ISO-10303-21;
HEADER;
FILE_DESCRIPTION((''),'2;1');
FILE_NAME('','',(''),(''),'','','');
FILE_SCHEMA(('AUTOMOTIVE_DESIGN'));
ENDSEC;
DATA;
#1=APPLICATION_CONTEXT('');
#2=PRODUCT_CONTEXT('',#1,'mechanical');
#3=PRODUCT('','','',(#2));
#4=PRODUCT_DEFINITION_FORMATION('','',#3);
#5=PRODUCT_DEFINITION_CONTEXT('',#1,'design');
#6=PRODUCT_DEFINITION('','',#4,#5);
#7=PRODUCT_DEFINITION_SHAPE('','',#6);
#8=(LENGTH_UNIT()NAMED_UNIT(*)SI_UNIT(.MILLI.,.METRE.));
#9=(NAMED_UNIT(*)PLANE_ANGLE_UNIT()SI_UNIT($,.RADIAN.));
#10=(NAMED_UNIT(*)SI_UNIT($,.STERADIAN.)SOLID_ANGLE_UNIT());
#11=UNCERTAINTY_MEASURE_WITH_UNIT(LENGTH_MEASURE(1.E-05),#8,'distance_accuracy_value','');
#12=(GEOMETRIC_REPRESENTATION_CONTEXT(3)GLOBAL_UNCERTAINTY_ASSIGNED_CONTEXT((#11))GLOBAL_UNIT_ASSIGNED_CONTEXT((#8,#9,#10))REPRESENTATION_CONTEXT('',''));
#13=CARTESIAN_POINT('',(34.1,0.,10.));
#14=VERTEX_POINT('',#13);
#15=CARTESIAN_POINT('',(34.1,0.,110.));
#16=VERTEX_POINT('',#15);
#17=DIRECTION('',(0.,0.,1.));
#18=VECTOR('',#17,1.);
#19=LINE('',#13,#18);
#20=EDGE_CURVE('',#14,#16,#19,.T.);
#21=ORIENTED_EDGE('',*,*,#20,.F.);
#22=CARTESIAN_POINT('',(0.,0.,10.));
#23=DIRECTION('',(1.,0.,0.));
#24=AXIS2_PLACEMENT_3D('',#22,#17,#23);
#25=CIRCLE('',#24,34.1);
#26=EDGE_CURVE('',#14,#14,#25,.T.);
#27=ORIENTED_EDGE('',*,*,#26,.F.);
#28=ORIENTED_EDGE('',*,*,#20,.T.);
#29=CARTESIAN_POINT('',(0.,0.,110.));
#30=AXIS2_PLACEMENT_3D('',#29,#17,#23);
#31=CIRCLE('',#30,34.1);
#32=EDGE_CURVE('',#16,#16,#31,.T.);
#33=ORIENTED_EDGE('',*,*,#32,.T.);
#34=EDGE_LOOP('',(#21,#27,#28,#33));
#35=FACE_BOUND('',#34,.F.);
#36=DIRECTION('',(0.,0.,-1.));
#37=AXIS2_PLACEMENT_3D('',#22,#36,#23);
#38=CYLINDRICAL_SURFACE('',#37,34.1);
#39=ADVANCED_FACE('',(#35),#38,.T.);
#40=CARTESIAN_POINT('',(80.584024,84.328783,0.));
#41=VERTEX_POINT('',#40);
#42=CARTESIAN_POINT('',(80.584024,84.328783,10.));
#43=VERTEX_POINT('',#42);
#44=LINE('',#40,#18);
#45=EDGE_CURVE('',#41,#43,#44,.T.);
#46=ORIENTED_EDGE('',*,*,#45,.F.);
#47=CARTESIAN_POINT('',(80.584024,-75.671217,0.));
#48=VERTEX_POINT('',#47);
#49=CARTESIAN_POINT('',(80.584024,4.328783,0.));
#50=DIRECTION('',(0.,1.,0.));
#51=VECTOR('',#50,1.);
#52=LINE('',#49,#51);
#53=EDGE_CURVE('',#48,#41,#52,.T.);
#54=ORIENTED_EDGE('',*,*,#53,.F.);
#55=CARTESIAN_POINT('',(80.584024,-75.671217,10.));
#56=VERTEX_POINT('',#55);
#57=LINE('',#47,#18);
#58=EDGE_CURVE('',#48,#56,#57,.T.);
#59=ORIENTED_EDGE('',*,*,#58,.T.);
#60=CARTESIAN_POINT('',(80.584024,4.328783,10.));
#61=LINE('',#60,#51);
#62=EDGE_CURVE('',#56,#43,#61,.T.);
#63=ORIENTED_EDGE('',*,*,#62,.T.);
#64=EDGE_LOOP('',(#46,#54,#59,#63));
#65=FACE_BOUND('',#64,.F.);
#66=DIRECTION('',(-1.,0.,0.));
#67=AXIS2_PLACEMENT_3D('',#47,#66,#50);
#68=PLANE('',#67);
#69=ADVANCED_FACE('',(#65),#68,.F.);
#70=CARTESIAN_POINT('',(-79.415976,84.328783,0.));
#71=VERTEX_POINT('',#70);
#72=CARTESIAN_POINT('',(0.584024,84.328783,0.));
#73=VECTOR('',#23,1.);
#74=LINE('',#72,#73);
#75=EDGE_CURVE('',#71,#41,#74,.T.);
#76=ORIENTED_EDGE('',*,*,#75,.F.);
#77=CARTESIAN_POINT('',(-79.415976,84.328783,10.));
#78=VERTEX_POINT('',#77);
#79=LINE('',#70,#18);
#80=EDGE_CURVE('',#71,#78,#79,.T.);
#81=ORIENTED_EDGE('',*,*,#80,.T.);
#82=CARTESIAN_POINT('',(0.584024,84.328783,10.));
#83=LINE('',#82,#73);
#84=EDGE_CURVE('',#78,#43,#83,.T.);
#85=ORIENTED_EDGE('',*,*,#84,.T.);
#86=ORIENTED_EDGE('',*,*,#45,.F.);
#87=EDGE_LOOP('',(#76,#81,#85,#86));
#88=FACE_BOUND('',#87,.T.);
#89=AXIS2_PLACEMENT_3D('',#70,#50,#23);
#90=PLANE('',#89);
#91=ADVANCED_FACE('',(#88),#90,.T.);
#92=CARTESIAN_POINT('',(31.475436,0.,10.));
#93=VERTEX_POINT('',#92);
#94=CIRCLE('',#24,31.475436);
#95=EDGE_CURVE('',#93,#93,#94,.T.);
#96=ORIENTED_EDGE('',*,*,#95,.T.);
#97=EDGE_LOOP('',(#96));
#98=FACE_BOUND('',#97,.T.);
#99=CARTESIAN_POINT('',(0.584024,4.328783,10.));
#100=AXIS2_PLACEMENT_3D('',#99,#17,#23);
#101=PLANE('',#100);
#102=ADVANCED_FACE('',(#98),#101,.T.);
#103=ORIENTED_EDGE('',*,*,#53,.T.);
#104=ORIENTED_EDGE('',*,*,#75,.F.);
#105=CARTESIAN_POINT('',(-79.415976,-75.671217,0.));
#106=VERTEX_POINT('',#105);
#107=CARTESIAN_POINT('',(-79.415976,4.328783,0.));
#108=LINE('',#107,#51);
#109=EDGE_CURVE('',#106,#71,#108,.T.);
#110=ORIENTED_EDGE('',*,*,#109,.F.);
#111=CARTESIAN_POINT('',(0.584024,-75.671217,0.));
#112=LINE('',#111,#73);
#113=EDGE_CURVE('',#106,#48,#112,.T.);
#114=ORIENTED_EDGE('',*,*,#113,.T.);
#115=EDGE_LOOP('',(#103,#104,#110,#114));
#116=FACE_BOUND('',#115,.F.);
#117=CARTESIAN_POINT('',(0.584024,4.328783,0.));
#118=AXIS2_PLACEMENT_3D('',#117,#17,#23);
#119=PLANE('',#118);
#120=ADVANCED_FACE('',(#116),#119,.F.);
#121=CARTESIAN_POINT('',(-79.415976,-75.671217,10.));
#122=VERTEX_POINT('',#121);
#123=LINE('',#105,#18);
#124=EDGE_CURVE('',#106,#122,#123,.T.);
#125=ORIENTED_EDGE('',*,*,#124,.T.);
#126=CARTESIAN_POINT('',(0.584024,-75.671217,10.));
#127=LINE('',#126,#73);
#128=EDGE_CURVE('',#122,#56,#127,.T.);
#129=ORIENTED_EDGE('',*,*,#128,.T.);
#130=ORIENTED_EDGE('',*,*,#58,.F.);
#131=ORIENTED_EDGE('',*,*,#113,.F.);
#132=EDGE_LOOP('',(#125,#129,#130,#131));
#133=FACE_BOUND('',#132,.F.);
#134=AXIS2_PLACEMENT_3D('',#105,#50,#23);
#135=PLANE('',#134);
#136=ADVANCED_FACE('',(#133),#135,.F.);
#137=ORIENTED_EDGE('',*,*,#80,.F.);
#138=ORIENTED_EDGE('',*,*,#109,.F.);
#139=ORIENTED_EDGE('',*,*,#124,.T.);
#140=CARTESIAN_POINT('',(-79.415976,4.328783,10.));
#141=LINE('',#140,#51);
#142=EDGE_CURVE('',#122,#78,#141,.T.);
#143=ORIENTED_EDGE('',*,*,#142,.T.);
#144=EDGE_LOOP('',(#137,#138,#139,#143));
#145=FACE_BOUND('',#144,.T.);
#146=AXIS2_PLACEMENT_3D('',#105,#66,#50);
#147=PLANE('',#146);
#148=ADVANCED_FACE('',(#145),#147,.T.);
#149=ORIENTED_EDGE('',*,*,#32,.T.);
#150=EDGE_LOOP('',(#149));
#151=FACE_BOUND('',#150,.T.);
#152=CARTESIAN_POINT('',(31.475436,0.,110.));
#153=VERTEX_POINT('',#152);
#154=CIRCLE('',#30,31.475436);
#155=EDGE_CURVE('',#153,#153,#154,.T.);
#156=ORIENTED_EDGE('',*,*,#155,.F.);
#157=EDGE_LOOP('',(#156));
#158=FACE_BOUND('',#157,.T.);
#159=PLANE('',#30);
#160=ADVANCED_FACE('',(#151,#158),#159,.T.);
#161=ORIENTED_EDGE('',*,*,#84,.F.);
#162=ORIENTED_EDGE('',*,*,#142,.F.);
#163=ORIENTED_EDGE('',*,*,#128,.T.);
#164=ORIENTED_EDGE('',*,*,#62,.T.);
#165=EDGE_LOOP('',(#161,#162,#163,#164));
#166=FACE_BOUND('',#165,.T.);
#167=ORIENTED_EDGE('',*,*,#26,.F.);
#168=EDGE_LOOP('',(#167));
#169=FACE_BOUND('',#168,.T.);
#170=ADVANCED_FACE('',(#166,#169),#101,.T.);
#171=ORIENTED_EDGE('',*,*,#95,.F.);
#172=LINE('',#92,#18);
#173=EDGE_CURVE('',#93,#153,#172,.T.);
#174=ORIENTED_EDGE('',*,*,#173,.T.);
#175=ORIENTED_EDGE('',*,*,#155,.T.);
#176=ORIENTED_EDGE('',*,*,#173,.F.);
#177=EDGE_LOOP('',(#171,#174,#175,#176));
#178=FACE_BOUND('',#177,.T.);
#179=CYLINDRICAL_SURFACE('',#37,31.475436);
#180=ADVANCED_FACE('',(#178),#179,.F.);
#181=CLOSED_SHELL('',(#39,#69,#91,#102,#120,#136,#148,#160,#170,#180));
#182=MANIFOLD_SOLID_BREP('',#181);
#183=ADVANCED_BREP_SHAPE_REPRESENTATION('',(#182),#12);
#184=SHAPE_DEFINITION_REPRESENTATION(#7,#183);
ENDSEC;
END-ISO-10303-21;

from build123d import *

# Parameters (mm, degrees)
SKETCH010_W   = 160
SKETCH010_H   = 160
PAD009_DEPTH  = 10
SKETCH011_R   = 34.1
SKETCH011_R_2 = 31.475436
PAD010_DEPTH  = 100


with BuildPart() as body011:
    # Sketch010 (on Face1 of CopyBoolean001) → Pad009 (new body)
    with BuildSketch(Plane.XY):
        with Locations((0.584024, 4.328783)):
            Rectangle(SKETCH010_W, SKETCH010_H)
    extrude(amount=PAD009_DEPTH)


with BuildPart() as motoradapter:
    # Sketch011 (on Face1 of CopyPad009) → Pad010 (new body)
    with BuildSketch(Plane.XY.offset(10)):
        Circle(SKETCH011_R)
        Circle(SKETCH011_R_2, mode=Mode.SUBTRACT)
    extrude(amount=PAD010_DEPTH)

    # Boolean002: union Body011
    add(body011.part)


solid = motoradapter.part
